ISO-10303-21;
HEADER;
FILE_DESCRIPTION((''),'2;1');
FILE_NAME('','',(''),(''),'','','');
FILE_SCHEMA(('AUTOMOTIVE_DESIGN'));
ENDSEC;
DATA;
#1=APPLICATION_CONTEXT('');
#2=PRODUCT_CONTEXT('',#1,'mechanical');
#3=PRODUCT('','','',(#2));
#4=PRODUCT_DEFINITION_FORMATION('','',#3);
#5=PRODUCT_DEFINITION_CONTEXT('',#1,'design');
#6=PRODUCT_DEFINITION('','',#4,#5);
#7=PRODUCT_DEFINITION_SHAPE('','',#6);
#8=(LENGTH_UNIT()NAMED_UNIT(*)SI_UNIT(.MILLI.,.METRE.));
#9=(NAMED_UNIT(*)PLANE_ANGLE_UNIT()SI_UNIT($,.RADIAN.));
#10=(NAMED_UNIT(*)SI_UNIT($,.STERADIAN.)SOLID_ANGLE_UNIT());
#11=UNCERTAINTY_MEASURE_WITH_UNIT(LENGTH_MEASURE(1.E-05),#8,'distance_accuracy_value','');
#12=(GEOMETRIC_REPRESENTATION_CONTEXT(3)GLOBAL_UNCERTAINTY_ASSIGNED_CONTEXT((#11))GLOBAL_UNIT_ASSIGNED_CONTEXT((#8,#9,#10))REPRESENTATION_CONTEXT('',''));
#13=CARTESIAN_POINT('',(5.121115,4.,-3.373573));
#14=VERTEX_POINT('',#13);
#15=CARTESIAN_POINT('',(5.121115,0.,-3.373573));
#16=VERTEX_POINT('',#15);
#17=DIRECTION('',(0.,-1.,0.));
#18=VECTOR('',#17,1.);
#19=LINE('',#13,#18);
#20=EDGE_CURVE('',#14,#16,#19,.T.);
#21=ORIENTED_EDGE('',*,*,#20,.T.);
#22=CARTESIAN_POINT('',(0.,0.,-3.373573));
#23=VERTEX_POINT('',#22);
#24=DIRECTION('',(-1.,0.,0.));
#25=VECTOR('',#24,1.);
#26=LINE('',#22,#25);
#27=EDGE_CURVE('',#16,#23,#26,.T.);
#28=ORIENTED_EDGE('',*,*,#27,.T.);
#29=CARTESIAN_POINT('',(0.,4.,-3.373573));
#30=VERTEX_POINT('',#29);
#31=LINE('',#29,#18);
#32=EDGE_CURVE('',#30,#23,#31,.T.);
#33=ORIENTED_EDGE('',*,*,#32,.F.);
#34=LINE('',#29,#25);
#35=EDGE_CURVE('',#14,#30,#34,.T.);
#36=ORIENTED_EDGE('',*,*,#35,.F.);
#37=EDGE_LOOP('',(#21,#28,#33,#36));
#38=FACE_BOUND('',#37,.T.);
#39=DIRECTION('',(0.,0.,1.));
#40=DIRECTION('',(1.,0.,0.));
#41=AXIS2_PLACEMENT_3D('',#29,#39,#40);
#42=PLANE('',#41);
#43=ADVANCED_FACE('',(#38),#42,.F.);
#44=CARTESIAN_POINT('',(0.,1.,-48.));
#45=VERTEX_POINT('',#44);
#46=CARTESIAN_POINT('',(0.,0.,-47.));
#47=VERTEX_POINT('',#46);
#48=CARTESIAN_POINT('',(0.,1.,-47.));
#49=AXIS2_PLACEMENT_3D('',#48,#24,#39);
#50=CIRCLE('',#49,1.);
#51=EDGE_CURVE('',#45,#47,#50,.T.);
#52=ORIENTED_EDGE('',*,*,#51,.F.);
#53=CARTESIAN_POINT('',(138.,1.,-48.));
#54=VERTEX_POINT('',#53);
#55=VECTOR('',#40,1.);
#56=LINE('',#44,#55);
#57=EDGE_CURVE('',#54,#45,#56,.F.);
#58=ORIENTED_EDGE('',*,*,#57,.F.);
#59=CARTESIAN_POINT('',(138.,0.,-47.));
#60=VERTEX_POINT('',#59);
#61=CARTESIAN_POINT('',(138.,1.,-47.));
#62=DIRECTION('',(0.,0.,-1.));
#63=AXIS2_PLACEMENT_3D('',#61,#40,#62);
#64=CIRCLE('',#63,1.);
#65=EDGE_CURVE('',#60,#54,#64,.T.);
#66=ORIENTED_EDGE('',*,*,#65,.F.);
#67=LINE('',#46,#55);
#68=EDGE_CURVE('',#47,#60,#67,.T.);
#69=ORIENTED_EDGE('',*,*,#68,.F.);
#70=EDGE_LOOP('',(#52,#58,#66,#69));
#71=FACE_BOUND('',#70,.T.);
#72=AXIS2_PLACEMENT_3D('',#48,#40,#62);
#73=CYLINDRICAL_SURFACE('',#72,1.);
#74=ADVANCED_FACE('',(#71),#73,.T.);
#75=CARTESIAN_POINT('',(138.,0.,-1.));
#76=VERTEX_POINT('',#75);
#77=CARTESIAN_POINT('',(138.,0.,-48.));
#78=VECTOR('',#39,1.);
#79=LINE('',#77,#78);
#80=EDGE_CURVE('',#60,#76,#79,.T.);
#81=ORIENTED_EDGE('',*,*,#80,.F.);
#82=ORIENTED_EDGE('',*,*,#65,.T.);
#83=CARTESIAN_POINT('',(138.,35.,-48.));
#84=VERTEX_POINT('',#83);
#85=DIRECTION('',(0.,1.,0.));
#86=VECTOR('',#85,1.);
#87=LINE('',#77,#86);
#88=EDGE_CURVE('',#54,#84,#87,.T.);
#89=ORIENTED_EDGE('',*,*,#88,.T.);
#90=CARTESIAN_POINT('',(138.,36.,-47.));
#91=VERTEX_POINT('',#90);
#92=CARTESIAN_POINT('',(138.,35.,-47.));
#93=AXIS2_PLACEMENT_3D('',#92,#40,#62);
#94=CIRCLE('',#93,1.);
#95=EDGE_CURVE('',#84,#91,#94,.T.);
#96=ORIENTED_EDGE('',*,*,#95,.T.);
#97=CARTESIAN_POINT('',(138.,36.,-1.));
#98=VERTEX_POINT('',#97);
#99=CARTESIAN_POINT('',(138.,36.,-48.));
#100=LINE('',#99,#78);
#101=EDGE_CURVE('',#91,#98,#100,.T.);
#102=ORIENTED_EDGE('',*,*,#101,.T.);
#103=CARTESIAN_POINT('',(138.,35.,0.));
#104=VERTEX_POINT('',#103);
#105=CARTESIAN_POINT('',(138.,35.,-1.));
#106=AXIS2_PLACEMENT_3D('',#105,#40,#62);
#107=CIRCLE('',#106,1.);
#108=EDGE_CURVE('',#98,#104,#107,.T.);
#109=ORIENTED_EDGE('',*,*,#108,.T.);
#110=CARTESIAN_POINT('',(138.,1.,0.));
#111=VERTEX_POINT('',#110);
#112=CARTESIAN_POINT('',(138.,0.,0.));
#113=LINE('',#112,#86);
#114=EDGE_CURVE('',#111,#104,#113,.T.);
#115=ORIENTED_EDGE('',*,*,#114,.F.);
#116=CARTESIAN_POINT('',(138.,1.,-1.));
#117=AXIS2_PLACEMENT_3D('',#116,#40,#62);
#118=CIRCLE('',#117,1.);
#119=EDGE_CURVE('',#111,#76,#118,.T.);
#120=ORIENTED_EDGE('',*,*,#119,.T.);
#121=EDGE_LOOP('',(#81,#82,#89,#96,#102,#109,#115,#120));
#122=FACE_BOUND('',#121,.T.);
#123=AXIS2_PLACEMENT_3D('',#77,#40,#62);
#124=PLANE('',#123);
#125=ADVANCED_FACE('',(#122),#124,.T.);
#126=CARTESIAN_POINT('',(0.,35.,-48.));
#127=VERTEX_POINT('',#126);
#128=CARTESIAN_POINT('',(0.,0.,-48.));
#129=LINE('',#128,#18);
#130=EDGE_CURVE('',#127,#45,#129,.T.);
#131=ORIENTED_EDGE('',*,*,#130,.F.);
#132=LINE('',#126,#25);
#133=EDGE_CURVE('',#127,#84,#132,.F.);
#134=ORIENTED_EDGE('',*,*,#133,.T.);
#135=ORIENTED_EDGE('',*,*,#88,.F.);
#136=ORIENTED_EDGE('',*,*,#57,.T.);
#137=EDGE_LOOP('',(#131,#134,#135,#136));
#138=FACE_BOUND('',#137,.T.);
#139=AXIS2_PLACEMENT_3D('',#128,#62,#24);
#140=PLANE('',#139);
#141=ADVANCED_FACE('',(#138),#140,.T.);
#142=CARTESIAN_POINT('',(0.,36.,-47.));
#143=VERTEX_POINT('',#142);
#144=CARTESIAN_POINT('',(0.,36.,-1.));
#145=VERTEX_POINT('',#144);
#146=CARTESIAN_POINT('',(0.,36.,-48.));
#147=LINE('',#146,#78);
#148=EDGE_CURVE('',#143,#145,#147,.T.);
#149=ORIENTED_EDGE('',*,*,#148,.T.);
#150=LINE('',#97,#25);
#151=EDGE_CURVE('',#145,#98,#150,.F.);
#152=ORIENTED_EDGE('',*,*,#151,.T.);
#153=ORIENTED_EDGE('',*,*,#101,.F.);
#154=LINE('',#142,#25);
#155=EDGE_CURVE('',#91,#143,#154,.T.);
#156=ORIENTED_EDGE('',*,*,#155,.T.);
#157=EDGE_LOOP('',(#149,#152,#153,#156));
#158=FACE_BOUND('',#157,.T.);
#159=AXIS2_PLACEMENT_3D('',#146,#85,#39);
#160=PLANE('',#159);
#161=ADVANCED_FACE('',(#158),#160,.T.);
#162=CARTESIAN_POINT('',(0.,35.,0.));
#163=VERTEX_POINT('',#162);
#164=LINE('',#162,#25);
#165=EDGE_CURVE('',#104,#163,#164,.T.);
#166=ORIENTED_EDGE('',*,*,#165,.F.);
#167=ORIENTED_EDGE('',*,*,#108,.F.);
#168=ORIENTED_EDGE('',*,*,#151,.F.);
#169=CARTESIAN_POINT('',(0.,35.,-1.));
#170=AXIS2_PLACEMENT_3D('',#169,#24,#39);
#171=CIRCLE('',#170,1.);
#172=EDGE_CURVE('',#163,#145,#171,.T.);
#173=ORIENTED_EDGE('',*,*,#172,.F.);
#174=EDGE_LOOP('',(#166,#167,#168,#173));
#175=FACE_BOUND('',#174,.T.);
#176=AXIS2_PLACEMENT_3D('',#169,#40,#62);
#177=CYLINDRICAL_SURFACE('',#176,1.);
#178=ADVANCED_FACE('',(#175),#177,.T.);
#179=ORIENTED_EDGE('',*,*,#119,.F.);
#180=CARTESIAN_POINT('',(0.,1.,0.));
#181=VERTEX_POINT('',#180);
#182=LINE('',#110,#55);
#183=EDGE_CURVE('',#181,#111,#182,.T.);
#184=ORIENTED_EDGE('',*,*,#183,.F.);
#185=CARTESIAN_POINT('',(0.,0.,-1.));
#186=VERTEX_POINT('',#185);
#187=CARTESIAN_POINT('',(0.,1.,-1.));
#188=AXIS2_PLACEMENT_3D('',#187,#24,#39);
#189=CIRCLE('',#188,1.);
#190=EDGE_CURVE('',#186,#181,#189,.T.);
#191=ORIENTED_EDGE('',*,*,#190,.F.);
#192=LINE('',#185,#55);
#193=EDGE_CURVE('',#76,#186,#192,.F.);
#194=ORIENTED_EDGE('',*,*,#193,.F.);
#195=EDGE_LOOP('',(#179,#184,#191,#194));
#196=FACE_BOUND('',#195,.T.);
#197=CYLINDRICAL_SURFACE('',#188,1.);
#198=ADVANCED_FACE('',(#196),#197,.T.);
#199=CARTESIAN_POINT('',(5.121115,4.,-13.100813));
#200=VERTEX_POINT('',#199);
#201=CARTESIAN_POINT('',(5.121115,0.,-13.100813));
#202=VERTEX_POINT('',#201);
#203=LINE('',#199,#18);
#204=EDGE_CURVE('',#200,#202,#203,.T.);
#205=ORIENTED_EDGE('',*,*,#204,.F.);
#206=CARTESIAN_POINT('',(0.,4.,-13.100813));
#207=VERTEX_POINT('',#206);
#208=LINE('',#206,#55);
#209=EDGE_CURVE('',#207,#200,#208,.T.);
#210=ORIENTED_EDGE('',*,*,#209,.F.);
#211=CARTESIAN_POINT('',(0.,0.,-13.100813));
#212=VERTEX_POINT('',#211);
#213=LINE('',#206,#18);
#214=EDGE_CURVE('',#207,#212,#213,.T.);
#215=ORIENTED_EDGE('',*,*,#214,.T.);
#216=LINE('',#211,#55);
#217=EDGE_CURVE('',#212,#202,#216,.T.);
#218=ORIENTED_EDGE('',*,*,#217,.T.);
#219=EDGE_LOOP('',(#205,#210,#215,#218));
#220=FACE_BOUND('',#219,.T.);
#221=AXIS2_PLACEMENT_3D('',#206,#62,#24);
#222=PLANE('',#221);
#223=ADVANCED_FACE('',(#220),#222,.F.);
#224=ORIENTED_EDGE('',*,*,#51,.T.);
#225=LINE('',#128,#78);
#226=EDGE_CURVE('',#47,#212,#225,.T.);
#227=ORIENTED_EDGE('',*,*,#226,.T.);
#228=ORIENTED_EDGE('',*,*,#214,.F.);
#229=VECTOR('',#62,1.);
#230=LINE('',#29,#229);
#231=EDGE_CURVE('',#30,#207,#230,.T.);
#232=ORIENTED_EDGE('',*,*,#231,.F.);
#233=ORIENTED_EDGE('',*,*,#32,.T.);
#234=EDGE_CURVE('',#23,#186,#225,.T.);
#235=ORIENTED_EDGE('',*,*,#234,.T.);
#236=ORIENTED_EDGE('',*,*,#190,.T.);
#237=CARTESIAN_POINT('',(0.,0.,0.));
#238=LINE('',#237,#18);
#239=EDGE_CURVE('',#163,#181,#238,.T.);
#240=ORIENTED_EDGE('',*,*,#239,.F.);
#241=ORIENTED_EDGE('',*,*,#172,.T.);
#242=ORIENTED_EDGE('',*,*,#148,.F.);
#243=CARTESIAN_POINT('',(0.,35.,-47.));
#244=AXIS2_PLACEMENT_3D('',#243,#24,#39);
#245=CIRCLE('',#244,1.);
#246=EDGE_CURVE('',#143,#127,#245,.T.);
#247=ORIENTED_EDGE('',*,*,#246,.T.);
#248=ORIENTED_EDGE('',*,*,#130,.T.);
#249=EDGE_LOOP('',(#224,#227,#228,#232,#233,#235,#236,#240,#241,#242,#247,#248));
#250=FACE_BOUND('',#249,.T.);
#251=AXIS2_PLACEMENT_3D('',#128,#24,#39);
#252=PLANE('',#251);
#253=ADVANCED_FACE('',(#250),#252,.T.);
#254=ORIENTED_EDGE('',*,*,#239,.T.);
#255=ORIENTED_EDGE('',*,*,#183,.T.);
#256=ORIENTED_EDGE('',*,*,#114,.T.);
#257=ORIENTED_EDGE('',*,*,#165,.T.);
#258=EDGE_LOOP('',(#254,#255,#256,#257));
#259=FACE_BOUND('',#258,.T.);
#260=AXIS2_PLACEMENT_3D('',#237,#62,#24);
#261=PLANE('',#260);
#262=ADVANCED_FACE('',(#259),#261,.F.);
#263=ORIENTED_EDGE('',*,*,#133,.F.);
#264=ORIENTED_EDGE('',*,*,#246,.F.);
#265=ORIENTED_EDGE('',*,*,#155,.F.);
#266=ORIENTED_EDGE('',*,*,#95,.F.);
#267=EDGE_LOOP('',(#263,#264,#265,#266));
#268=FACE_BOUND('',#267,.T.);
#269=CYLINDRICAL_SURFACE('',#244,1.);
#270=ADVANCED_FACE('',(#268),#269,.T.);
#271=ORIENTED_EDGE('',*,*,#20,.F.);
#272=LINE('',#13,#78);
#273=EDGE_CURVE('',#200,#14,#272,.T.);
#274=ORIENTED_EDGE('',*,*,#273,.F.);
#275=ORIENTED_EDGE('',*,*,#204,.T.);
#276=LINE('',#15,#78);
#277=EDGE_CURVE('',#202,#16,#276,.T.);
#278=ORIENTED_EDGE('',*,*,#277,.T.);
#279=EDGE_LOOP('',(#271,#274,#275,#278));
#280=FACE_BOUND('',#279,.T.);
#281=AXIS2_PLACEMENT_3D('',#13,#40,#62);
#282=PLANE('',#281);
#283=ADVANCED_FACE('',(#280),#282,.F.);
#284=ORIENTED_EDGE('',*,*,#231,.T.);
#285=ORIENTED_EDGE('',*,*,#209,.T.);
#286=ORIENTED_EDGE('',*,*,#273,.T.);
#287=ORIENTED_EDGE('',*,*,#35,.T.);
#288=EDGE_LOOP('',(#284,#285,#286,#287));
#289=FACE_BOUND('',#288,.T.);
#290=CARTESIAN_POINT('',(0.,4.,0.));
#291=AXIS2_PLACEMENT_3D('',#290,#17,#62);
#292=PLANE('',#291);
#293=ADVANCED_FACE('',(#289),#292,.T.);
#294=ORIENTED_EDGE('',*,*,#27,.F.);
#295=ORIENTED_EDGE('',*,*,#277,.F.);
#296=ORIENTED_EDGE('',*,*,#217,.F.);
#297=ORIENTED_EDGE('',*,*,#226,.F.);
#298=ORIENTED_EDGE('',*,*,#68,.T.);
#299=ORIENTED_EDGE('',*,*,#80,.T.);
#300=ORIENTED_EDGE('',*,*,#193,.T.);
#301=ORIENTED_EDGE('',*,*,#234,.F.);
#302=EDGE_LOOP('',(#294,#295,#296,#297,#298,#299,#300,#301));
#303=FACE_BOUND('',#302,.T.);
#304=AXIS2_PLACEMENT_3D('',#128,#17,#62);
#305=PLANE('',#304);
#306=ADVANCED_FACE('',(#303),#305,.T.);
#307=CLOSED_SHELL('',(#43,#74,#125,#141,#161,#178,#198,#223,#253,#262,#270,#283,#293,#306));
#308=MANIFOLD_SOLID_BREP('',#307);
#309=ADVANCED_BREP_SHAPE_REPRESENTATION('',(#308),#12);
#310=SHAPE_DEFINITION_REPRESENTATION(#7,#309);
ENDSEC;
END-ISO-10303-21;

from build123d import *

# Parameters (mm, degrees)
SKETCH1_W           = 138
SKETCH1_H           = 36
BOSS_EXTRUDE1_DEPTH = 48
FILLET2_R           = 1
SKETCH2_W           = 5.121114637
SKETCH2_H           = 9.72723973
CUT_EXTRUDE1_DEPTH  = 4


with BuildPart() as part:
    # Sketch1 → Boss-Extrude1 (new body)
    with BuildSketch(Plane.XY):
        with Locations((69, 18)):
            Rectangle(SKETCH1_W, SKETCH1_H)
    extrude(amount=-BOSS_EXTRUDE1_DEPTH)

    # Fillet2
    fillet2_edges = [part.edges().sort_by_distance(p)[0] for p in [
        (69, 36, -48),
        (69, 36, 0),
        (69, 0, 0),
        (69, 0, -48),
    ]]
    fillet(fillet2_edges, radius=FILLET2_R)

    # Sketch2 → Cut-Extrude1 (cut)
    with BuildSketch(Plane.XZ):
        with Locations((2.560557319, -8.237193023)):
            Rectangle(SKETCH2_W, SKETCH2_H)
    extrude(amount=-CUT_EXTRUDE1_DEPTH, mode=Mode.SUBTRACT)


solid = part.part
